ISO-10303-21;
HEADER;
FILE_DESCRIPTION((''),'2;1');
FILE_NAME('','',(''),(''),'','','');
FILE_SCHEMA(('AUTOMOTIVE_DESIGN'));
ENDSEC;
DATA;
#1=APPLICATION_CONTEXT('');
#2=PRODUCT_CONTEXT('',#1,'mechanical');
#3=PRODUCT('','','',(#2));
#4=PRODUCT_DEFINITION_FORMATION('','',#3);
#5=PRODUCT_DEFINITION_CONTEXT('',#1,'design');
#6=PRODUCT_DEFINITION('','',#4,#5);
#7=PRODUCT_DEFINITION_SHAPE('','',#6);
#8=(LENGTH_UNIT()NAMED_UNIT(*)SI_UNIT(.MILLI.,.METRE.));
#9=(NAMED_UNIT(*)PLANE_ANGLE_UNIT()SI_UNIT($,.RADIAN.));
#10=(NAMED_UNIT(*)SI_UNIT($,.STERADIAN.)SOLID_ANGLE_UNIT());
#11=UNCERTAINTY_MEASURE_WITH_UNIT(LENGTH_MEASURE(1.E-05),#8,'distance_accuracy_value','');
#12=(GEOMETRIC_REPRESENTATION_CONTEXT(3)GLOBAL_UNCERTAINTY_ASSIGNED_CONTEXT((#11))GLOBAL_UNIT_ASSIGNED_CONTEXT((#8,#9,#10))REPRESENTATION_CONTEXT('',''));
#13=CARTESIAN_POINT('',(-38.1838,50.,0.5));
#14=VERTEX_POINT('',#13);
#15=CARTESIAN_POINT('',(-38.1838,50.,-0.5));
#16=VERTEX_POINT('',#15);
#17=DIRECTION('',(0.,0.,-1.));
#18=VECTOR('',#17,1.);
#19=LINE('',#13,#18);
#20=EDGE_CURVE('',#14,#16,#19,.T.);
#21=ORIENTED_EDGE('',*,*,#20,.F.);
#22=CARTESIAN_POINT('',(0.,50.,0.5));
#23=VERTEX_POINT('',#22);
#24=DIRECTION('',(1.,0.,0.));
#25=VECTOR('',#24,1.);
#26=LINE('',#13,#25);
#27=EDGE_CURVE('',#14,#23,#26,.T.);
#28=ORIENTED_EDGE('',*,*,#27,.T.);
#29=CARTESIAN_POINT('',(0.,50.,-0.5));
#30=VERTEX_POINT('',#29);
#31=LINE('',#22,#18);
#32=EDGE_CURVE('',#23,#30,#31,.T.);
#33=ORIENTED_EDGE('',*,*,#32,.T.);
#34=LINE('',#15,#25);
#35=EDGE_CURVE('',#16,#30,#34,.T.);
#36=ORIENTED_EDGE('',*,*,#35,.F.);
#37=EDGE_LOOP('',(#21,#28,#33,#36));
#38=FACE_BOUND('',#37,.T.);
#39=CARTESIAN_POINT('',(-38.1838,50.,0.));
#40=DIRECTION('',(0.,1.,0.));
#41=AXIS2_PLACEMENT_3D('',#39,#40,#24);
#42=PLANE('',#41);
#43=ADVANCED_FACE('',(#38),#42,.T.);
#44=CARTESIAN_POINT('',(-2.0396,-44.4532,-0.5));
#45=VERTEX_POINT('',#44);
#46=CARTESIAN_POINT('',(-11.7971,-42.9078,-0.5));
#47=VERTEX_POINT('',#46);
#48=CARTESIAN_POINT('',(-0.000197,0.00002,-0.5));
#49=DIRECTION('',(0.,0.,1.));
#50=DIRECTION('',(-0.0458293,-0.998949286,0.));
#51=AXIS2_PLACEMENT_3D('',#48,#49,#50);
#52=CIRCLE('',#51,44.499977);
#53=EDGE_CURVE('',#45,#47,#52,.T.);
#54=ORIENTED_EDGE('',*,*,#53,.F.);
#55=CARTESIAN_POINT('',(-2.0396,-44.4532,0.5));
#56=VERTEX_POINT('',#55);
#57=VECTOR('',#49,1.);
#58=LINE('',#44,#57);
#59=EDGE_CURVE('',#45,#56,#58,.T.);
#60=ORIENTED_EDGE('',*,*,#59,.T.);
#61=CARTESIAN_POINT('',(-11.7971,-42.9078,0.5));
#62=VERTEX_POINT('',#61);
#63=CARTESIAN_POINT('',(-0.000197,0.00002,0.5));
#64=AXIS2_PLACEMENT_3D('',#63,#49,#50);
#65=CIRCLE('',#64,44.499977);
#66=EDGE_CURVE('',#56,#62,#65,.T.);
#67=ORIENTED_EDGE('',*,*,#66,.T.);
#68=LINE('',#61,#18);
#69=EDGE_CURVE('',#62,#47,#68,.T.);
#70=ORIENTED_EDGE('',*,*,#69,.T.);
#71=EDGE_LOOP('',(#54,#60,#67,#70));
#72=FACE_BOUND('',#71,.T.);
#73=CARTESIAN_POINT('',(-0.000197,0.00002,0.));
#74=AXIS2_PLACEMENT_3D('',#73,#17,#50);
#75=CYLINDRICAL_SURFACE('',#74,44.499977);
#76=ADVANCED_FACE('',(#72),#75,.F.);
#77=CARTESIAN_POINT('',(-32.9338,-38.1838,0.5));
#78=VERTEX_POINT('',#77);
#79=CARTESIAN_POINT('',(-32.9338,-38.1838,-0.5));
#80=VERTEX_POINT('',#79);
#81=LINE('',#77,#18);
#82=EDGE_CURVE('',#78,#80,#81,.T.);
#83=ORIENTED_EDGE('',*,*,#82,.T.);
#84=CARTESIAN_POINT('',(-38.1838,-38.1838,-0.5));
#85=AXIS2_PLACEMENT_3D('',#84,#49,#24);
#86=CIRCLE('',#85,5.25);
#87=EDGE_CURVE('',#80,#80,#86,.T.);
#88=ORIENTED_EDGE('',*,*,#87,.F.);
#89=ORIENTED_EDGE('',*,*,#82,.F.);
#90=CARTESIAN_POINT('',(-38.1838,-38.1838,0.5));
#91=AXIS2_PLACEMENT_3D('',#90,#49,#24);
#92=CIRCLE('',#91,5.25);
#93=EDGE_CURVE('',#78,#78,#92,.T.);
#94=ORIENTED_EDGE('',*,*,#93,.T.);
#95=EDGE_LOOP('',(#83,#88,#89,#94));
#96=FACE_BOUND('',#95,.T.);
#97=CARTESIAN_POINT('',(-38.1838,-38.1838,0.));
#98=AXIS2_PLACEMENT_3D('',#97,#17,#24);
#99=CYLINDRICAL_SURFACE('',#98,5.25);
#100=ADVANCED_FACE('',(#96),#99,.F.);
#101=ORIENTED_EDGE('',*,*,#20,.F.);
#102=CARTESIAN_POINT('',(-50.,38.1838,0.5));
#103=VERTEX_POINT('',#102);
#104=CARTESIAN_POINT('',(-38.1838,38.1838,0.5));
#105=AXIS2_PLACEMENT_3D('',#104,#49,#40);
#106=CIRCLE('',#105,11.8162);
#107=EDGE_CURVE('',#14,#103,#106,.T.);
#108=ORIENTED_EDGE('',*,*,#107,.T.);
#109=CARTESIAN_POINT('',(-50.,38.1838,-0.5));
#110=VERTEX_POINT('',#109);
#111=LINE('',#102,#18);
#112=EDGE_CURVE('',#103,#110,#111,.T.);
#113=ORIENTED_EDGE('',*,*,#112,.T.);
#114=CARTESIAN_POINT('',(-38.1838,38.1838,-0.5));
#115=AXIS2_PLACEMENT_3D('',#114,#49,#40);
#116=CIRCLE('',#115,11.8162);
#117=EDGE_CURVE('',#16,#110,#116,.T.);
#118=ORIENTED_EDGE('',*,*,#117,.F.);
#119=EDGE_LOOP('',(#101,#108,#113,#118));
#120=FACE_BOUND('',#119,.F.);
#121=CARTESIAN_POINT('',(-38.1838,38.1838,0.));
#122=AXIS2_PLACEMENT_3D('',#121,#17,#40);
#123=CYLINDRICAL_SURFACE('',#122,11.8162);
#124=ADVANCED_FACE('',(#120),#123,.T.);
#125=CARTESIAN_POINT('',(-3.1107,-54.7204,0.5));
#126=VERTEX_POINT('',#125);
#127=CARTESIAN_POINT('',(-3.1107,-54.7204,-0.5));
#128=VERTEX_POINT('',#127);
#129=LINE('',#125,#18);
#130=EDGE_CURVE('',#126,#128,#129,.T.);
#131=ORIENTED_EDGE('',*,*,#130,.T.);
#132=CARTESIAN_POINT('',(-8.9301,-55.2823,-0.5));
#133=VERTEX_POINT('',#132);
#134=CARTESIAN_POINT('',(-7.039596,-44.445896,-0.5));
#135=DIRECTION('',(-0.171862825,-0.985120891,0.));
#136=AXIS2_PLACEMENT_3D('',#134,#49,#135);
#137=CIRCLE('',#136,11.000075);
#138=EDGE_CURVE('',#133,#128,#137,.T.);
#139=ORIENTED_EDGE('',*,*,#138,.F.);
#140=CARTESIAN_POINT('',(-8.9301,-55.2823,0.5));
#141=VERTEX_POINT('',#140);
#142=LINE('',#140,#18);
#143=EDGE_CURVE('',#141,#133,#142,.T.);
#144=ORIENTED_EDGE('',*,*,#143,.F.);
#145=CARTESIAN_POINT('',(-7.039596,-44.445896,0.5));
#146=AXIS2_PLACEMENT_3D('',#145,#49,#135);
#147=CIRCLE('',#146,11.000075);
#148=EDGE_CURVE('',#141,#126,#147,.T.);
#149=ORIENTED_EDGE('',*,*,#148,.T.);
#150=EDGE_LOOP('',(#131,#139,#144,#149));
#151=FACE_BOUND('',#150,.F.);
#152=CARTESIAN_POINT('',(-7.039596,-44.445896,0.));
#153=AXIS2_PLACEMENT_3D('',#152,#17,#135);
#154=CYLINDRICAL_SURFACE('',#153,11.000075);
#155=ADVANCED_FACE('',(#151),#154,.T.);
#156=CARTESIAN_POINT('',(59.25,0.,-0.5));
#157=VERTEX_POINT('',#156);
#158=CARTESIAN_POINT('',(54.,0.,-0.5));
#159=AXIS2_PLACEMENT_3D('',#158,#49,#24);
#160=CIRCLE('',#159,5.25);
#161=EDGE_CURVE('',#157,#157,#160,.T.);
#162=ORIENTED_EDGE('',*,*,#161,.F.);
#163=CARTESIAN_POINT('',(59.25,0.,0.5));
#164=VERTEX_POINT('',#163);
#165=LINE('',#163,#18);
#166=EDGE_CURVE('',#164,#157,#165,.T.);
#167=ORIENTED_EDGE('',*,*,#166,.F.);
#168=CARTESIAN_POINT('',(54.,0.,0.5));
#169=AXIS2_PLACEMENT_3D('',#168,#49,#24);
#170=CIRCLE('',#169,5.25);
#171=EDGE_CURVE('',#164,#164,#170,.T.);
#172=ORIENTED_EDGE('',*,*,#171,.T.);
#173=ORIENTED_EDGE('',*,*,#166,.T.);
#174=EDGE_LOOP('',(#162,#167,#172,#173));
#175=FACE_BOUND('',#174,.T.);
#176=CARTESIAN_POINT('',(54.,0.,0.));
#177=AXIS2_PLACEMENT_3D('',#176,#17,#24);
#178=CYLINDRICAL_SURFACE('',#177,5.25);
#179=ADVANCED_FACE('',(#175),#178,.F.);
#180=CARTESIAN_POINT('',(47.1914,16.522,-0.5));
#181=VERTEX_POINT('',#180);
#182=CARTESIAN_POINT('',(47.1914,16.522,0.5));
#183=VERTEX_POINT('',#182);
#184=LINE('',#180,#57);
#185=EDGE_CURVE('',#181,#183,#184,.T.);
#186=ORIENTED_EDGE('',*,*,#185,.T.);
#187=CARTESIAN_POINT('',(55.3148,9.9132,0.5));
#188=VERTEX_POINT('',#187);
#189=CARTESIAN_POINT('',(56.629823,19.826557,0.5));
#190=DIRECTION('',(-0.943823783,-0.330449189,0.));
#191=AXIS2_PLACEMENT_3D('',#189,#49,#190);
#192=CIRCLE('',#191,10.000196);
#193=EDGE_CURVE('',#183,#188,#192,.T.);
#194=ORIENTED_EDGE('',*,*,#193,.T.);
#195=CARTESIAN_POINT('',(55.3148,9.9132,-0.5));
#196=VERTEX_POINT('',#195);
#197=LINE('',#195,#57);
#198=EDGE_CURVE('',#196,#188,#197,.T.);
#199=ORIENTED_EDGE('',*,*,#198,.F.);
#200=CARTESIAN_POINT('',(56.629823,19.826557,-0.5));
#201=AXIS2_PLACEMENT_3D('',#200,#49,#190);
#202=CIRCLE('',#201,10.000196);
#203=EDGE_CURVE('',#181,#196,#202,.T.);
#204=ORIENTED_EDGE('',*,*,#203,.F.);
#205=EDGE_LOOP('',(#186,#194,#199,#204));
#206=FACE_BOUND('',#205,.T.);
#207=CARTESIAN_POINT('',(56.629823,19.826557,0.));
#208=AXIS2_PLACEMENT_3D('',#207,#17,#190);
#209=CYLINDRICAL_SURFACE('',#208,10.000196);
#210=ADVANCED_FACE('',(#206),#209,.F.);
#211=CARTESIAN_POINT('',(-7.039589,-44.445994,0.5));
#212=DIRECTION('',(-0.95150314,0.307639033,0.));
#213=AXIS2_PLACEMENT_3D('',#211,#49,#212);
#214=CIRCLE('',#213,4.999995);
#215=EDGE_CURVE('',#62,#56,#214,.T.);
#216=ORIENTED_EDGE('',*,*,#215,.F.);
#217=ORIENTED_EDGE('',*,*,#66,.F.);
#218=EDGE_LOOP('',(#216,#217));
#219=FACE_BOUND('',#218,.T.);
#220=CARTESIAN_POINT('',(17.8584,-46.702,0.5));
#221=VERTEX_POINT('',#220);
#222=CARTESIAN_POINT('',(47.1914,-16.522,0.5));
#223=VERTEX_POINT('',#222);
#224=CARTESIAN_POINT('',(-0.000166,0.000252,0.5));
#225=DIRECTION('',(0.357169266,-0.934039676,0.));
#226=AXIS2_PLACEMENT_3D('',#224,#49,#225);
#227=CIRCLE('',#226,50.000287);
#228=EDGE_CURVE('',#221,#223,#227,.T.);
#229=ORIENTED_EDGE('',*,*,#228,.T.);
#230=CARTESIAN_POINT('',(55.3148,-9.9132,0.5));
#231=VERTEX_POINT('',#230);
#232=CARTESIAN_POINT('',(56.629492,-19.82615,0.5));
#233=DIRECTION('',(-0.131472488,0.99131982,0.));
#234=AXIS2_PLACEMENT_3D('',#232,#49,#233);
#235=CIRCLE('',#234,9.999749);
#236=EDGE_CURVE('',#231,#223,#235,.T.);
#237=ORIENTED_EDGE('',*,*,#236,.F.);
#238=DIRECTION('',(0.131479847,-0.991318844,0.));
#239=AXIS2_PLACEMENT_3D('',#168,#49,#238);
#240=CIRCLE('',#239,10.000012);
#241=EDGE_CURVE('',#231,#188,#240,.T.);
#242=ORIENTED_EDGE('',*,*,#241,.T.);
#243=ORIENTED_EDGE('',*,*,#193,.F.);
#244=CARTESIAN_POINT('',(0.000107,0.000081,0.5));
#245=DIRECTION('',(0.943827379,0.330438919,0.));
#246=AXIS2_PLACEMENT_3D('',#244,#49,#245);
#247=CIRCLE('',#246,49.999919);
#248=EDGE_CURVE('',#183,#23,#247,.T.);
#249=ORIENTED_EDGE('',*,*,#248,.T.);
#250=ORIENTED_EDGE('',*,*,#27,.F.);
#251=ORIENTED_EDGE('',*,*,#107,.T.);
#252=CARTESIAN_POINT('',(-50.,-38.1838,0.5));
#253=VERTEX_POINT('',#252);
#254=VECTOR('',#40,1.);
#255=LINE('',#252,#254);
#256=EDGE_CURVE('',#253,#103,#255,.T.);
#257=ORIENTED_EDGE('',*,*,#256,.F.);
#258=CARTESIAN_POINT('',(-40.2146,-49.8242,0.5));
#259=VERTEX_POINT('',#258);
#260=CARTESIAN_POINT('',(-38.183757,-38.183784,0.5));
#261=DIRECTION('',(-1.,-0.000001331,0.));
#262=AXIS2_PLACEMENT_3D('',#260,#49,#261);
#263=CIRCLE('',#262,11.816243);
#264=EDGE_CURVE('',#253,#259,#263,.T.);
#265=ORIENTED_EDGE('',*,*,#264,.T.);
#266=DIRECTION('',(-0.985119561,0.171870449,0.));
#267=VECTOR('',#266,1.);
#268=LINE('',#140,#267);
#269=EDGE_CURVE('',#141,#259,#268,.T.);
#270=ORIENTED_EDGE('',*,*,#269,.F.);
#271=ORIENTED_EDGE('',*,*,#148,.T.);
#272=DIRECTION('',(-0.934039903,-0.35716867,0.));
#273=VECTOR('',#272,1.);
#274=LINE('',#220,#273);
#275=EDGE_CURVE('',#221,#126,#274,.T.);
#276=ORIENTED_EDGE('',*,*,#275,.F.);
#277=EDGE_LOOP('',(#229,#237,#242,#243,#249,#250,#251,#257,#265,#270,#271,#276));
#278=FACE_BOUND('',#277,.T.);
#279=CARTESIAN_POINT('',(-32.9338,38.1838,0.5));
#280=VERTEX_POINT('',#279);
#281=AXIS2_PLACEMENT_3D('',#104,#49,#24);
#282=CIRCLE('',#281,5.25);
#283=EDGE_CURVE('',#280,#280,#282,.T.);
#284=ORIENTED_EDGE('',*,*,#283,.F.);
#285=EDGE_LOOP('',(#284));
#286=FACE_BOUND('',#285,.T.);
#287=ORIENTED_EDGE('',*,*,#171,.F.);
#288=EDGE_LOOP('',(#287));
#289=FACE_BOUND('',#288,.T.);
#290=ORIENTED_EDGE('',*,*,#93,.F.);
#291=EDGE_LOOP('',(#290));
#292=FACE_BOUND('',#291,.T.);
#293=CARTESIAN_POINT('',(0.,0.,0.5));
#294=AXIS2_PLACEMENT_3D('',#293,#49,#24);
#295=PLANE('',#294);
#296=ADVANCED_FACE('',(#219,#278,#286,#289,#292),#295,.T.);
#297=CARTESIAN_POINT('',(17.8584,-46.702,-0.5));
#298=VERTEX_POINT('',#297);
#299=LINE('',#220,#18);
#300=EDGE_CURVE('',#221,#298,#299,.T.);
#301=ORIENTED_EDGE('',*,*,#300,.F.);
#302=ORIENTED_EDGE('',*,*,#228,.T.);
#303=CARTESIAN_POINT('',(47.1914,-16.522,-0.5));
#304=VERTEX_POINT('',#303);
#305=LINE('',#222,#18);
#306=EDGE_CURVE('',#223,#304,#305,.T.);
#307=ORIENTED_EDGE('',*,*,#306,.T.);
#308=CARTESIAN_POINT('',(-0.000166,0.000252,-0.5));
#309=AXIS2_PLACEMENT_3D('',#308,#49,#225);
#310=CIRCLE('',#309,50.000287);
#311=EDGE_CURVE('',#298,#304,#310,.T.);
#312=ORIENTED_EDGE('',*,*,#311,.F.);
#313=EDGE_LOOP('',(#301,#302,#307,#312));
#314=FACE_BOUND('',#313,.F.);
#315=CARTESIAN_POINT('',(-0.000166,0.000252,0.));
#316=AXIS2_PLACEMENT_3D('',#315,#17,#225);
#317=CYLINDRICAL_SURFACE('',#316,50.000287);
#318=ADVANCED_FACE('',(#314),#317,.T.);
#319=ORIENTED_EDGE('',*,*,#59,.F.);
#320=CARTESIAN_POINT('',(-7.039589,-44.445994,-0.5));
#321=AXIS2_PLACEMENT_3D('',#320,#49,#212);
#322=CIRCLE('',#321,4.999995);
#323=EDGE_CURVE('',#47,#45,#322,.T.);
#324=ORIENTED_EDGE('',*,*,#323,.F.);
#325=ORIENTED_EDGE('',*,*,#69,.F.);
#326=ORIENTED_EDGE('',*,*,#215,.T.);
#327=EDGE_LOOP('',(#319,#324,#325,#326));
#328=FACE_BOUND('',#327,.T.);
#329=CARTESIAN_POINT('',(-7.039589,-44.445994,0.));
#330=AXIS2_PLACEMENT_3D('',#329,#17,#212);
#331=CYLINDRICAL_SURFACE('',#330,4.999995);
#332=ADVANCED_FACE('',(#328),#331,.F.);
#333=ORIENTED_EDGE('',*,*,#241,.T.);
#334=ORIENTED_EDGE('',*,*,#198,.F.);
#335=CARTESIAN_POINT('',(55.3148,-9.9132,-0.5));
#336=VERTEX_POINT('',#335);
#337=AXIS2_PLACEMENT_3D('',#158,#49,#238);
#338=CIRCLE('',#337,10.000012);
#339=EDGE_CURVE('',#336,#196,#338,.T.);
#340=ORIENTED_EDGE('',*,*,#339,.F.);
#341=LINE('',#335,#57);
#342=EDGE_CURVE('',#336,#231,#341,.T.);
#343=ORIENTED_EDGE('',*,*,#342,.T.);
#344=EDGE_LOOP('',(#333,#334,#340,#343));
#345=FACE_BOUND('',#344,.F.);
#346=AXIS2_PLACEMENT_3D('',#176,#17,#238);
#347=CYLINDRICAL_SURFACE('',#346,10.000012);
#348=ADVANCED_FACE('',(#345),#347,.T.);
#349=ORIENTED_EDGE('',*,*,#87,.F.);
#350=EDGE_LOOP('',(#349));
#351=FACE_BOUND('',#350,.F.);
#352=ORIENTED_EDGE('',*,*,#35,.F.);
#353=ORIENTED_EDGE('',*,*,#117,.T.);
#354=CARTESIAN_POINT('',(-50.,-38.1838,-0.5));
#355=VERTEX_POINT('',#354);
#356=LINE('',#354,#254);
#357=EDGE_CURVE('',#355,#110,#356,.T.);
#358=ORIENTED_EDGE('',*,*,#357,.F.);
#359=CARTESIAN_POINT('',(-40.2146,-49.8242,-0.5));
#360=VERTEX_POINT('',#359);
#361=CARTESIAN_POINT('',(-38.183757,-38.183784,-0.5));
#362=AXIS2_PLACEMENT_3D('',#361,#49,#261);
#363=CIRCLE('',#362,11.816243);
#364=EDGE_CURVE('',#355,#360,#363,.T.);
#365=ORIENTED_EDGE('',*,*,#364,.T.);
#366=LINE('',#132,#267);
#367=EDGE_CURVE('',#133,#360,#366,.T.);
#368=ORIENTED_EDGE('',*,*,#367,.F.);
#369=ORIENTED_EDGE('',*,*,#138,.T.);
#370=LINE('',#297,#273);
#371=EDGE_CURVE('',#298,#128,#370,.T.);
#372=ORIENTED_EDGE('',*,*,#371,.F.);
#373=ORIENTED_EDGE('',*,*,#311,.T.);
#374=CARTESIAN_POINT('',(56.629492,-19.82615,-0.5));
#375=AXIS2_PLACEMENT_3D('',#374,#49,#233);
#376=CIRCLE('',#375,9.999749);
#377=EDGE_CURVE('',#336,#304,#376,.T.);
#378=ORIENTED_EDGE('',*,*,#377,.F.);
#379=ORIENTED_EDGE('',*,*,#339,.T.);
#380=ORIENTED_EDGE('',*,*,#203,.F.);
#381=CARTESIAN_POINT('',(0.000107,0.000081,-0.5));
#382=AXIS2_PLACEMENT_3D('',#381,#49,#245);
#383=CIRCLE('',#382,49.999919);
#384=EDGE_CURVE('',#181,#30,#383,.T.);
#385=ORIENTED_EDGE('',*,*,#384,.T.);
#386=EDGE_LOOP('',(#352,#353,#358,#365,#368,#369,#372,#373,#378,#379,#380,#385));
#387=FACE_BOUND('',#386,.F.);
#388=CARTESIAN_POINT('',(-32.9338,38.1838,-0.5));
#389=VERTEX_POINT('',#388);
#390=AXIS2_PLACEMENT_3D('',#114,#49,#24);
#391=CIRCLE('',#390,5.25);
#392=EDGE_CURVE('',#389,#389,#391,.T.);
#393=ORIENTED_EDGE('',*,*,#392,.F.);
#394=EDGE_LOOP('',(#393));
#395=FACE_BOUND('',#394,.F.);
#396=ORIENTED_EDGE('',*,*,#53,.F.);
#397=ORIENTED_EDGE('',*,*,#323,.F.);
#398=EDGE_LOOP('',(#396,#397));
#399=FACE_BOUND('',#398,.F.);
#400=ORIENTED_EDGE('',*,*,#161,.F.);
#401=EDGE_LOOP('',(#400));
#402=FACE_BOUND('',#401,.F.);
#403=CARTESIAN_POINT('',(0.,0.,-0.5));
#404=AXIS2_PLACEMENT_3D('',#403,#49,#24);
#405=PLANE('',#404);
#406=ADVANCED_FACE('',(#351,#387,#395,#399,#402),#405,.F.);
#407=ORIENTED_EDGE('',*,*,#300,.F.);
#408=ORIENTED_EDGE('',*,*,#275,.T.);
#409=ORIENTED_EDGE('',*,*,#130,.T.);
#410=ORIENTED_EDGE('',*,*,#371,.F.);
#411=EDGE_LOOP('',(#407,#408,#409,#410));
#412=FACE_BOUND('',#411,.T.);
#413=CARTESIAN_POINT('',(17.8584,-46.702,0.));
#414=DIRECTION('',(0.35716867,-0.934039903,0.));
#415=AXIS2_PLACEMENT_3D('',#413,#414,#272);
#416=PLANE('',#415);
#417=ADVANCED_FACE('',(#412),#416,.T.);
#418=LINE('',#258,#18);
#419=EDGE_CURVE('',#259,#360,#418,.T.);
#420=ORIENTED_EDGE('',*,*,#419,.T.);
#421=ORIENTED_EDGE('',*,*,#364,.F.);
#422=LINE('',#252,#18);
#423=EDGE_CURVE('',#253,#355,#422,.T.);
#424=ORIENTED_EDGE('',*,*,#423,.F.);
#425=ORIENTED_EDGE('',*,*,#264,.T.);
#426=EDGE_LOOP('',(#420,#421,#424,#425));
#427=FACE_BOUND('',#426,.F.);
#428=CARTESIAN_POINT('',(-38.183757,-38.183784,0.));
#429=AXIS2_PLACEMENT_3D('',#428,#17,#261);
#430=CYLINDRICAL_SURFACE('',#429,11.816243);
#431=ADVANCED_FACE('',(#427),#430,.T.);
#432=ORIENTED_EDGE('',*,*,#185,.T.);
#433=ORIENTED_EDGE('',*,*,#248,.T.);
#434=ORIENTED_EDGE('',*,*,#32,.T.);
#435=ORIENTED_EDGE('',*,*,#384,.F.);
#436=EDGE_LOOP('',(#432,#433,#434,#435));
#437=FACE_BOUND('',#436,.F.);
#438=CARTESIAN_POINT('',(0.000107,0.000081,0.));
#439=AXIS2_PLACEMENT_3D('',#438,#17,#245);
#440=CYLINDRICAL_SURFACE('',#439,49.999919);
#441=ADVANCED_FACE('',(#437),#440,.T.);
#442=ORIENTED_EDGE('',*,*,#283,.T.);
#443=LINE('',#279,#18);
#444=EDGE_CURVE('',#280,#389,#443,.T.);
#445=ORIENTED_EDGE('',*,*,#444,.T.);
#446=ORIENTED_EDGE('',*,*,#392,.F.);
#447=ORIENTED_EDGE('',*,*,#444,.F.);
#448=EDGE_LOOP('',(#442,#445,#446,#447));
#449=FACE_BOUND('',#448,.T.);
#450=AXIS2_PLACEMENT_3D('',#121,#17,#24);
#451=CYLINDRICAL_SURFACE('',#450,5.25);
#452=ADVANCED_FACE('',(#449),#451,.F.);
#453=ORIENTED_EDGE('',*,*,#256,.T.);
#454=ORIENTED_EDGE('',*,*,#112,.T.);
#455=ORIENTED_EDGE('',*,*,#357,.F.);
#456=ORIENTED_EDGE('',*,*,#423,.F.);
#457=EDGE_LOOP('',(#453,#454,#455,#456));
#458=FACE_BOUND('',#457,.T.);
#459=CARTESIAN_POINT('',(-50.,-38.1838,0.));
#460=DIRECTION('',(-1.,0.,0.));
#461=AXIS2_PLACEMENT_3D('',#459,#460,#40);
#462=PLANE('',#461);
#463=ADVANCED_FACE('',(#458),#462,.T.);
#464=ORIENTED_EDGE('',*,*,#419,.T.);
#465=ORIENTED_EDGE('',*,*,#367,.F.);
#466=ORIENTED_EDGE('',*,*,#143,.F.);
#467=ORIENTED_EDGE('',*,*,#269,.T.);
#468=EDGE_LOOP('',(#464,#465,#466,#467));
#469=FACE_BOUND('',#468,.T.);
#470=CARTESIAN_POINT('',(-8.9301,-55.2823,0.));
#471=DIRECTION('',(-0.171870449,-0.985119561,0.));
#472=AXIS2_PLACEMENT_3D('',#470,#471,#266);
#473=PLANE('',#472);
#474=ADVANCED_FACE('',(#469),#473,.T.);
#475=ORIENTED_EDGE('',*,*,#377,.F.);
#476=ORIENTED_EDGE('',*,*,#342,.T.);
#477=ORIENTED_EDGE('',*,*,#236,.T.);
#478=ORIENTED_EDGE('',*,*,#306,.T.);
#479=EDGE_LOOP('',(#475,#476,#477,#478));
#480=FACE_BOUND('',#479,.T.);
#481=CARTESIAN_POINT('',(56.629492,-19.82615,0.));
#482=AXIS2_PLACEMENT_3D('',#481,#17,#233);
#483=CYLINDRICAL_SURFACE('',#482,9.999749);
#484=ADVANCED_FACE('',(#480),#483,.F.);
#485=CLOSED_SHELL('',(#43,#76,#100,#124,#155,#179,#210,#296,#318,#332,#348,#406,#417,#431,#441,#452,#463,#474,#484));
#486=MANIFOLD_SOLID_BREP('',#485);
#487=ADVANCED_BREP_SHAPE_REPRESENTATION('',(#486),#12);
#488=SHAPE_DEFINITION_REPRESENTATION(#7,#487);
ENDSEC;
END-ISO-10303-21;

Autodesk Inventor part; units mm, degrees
ref_plane "YZ Plane" through (0, 0, 0) normal (1, 0, 0) x (0, 1, 0)
ref_plane "XZ Plane" through (0, 0, 0) normal (0, 1, 0) x (-1, 0, 0)
ref_plane "XY Plane" through (0, 0, 0) normal (0, 0, 1) x (1, 0, 0)
sketch "Эскиз1" plane through (0, 0, 0) normal (0, 0, 1) x (1, 0, 0)
  circle A0 centre (0, 0) radius 54 construction
  circle A1 centre (54, 0) radius 5.25
  arc A2 (55.3148, -9.9132) -> (55.3148, 9.9132) centre (54, 0) ccw
  arc A3 (55.3148, -9.9132) -> (47.1914, -16.522) centre (56.6296, -19.8264) ccw
  arc A4 (47.1914, 16.522) -> (55.3148, 9.9132) centre (56.6296, 19.8264) ccw
  arc A5 (17.8584, -46.702) -> (47.1914, -16.522) centre (0, 0) ccw
  arc A6 (-2.0396, -44.4532) -> (-11.7971, -42.9078) centre (0, 0) ccw
  circle A7 centre (0, 0) radius 45 construction
  line L0 (17.8584, -46.702) -> (-3.1107, -54.7204)
  line L1 (0, 0) -> (-7.0396, -44.446) construction
  line L2 (0, 0) -> (0, -45) construction
  arc A8 (-11.7971, -42.9078) -> (-2.0396, -44.4532) centre (-7.0396, -44.446) ccw
  arc A9 (-8.9301, -55.2823) -> (-3.1107, -54.7204) centre (-7.0396, -44.446) ccw
  arc A10 (47.1914, 16.522) -> (0, 50) centre (0, 0) ccw
  line L3 (0, 0) -> (-38.1838, -38.1838) construction
  line L4 (0, 0) -> (-54, 0) construction
  circle A11 centre (-38.1838, -38.1838) radius 5.25
  line L5 (-8.9301, -55.2823) -> (-40.2146, -49.8242)
  arc A12 (-50, -38.1838) -> (-40.2146, -49.8242) centre (-38.1838, -38.1838) ccw
  line L6 (-50, -38.1838) -> (-50, 38.1838)
  line L7 (0, 0) -> (-38.1838, 38.1838) construction
  circle A13 centre (-38.1838, 38.1838) radius 5.25
  arc A14 (-38.1838, 50) -> (-50, 38.1838) centre (-38.1838, 38.1838) ccw
  line L8 (-38.1838, 50) -> (0, 50)
  dimension "d0" = 108
  dimension "d1" = 10.5
  dimension "d2" = 10
  dimension "d3" = 10
  dimension "d4" = 10
  dimension "d5" = 50
  dimension "d6" = 89
  dimension "d7" = 90
  dimension "d10" = 9
  dimension "d11" = 5
  dimension "d12" = 11
  dimension "d13" = 50
  dimension "d14" = 45
  dimension "d15" = 10.5
  dimension "d16" = 90
  dimension "d17" = 10.5
extrude "Выдавливание1" add sketch "Эскиз1" along normal mid plane 1
properties part number "65. Прокладка крышки подшипника"
